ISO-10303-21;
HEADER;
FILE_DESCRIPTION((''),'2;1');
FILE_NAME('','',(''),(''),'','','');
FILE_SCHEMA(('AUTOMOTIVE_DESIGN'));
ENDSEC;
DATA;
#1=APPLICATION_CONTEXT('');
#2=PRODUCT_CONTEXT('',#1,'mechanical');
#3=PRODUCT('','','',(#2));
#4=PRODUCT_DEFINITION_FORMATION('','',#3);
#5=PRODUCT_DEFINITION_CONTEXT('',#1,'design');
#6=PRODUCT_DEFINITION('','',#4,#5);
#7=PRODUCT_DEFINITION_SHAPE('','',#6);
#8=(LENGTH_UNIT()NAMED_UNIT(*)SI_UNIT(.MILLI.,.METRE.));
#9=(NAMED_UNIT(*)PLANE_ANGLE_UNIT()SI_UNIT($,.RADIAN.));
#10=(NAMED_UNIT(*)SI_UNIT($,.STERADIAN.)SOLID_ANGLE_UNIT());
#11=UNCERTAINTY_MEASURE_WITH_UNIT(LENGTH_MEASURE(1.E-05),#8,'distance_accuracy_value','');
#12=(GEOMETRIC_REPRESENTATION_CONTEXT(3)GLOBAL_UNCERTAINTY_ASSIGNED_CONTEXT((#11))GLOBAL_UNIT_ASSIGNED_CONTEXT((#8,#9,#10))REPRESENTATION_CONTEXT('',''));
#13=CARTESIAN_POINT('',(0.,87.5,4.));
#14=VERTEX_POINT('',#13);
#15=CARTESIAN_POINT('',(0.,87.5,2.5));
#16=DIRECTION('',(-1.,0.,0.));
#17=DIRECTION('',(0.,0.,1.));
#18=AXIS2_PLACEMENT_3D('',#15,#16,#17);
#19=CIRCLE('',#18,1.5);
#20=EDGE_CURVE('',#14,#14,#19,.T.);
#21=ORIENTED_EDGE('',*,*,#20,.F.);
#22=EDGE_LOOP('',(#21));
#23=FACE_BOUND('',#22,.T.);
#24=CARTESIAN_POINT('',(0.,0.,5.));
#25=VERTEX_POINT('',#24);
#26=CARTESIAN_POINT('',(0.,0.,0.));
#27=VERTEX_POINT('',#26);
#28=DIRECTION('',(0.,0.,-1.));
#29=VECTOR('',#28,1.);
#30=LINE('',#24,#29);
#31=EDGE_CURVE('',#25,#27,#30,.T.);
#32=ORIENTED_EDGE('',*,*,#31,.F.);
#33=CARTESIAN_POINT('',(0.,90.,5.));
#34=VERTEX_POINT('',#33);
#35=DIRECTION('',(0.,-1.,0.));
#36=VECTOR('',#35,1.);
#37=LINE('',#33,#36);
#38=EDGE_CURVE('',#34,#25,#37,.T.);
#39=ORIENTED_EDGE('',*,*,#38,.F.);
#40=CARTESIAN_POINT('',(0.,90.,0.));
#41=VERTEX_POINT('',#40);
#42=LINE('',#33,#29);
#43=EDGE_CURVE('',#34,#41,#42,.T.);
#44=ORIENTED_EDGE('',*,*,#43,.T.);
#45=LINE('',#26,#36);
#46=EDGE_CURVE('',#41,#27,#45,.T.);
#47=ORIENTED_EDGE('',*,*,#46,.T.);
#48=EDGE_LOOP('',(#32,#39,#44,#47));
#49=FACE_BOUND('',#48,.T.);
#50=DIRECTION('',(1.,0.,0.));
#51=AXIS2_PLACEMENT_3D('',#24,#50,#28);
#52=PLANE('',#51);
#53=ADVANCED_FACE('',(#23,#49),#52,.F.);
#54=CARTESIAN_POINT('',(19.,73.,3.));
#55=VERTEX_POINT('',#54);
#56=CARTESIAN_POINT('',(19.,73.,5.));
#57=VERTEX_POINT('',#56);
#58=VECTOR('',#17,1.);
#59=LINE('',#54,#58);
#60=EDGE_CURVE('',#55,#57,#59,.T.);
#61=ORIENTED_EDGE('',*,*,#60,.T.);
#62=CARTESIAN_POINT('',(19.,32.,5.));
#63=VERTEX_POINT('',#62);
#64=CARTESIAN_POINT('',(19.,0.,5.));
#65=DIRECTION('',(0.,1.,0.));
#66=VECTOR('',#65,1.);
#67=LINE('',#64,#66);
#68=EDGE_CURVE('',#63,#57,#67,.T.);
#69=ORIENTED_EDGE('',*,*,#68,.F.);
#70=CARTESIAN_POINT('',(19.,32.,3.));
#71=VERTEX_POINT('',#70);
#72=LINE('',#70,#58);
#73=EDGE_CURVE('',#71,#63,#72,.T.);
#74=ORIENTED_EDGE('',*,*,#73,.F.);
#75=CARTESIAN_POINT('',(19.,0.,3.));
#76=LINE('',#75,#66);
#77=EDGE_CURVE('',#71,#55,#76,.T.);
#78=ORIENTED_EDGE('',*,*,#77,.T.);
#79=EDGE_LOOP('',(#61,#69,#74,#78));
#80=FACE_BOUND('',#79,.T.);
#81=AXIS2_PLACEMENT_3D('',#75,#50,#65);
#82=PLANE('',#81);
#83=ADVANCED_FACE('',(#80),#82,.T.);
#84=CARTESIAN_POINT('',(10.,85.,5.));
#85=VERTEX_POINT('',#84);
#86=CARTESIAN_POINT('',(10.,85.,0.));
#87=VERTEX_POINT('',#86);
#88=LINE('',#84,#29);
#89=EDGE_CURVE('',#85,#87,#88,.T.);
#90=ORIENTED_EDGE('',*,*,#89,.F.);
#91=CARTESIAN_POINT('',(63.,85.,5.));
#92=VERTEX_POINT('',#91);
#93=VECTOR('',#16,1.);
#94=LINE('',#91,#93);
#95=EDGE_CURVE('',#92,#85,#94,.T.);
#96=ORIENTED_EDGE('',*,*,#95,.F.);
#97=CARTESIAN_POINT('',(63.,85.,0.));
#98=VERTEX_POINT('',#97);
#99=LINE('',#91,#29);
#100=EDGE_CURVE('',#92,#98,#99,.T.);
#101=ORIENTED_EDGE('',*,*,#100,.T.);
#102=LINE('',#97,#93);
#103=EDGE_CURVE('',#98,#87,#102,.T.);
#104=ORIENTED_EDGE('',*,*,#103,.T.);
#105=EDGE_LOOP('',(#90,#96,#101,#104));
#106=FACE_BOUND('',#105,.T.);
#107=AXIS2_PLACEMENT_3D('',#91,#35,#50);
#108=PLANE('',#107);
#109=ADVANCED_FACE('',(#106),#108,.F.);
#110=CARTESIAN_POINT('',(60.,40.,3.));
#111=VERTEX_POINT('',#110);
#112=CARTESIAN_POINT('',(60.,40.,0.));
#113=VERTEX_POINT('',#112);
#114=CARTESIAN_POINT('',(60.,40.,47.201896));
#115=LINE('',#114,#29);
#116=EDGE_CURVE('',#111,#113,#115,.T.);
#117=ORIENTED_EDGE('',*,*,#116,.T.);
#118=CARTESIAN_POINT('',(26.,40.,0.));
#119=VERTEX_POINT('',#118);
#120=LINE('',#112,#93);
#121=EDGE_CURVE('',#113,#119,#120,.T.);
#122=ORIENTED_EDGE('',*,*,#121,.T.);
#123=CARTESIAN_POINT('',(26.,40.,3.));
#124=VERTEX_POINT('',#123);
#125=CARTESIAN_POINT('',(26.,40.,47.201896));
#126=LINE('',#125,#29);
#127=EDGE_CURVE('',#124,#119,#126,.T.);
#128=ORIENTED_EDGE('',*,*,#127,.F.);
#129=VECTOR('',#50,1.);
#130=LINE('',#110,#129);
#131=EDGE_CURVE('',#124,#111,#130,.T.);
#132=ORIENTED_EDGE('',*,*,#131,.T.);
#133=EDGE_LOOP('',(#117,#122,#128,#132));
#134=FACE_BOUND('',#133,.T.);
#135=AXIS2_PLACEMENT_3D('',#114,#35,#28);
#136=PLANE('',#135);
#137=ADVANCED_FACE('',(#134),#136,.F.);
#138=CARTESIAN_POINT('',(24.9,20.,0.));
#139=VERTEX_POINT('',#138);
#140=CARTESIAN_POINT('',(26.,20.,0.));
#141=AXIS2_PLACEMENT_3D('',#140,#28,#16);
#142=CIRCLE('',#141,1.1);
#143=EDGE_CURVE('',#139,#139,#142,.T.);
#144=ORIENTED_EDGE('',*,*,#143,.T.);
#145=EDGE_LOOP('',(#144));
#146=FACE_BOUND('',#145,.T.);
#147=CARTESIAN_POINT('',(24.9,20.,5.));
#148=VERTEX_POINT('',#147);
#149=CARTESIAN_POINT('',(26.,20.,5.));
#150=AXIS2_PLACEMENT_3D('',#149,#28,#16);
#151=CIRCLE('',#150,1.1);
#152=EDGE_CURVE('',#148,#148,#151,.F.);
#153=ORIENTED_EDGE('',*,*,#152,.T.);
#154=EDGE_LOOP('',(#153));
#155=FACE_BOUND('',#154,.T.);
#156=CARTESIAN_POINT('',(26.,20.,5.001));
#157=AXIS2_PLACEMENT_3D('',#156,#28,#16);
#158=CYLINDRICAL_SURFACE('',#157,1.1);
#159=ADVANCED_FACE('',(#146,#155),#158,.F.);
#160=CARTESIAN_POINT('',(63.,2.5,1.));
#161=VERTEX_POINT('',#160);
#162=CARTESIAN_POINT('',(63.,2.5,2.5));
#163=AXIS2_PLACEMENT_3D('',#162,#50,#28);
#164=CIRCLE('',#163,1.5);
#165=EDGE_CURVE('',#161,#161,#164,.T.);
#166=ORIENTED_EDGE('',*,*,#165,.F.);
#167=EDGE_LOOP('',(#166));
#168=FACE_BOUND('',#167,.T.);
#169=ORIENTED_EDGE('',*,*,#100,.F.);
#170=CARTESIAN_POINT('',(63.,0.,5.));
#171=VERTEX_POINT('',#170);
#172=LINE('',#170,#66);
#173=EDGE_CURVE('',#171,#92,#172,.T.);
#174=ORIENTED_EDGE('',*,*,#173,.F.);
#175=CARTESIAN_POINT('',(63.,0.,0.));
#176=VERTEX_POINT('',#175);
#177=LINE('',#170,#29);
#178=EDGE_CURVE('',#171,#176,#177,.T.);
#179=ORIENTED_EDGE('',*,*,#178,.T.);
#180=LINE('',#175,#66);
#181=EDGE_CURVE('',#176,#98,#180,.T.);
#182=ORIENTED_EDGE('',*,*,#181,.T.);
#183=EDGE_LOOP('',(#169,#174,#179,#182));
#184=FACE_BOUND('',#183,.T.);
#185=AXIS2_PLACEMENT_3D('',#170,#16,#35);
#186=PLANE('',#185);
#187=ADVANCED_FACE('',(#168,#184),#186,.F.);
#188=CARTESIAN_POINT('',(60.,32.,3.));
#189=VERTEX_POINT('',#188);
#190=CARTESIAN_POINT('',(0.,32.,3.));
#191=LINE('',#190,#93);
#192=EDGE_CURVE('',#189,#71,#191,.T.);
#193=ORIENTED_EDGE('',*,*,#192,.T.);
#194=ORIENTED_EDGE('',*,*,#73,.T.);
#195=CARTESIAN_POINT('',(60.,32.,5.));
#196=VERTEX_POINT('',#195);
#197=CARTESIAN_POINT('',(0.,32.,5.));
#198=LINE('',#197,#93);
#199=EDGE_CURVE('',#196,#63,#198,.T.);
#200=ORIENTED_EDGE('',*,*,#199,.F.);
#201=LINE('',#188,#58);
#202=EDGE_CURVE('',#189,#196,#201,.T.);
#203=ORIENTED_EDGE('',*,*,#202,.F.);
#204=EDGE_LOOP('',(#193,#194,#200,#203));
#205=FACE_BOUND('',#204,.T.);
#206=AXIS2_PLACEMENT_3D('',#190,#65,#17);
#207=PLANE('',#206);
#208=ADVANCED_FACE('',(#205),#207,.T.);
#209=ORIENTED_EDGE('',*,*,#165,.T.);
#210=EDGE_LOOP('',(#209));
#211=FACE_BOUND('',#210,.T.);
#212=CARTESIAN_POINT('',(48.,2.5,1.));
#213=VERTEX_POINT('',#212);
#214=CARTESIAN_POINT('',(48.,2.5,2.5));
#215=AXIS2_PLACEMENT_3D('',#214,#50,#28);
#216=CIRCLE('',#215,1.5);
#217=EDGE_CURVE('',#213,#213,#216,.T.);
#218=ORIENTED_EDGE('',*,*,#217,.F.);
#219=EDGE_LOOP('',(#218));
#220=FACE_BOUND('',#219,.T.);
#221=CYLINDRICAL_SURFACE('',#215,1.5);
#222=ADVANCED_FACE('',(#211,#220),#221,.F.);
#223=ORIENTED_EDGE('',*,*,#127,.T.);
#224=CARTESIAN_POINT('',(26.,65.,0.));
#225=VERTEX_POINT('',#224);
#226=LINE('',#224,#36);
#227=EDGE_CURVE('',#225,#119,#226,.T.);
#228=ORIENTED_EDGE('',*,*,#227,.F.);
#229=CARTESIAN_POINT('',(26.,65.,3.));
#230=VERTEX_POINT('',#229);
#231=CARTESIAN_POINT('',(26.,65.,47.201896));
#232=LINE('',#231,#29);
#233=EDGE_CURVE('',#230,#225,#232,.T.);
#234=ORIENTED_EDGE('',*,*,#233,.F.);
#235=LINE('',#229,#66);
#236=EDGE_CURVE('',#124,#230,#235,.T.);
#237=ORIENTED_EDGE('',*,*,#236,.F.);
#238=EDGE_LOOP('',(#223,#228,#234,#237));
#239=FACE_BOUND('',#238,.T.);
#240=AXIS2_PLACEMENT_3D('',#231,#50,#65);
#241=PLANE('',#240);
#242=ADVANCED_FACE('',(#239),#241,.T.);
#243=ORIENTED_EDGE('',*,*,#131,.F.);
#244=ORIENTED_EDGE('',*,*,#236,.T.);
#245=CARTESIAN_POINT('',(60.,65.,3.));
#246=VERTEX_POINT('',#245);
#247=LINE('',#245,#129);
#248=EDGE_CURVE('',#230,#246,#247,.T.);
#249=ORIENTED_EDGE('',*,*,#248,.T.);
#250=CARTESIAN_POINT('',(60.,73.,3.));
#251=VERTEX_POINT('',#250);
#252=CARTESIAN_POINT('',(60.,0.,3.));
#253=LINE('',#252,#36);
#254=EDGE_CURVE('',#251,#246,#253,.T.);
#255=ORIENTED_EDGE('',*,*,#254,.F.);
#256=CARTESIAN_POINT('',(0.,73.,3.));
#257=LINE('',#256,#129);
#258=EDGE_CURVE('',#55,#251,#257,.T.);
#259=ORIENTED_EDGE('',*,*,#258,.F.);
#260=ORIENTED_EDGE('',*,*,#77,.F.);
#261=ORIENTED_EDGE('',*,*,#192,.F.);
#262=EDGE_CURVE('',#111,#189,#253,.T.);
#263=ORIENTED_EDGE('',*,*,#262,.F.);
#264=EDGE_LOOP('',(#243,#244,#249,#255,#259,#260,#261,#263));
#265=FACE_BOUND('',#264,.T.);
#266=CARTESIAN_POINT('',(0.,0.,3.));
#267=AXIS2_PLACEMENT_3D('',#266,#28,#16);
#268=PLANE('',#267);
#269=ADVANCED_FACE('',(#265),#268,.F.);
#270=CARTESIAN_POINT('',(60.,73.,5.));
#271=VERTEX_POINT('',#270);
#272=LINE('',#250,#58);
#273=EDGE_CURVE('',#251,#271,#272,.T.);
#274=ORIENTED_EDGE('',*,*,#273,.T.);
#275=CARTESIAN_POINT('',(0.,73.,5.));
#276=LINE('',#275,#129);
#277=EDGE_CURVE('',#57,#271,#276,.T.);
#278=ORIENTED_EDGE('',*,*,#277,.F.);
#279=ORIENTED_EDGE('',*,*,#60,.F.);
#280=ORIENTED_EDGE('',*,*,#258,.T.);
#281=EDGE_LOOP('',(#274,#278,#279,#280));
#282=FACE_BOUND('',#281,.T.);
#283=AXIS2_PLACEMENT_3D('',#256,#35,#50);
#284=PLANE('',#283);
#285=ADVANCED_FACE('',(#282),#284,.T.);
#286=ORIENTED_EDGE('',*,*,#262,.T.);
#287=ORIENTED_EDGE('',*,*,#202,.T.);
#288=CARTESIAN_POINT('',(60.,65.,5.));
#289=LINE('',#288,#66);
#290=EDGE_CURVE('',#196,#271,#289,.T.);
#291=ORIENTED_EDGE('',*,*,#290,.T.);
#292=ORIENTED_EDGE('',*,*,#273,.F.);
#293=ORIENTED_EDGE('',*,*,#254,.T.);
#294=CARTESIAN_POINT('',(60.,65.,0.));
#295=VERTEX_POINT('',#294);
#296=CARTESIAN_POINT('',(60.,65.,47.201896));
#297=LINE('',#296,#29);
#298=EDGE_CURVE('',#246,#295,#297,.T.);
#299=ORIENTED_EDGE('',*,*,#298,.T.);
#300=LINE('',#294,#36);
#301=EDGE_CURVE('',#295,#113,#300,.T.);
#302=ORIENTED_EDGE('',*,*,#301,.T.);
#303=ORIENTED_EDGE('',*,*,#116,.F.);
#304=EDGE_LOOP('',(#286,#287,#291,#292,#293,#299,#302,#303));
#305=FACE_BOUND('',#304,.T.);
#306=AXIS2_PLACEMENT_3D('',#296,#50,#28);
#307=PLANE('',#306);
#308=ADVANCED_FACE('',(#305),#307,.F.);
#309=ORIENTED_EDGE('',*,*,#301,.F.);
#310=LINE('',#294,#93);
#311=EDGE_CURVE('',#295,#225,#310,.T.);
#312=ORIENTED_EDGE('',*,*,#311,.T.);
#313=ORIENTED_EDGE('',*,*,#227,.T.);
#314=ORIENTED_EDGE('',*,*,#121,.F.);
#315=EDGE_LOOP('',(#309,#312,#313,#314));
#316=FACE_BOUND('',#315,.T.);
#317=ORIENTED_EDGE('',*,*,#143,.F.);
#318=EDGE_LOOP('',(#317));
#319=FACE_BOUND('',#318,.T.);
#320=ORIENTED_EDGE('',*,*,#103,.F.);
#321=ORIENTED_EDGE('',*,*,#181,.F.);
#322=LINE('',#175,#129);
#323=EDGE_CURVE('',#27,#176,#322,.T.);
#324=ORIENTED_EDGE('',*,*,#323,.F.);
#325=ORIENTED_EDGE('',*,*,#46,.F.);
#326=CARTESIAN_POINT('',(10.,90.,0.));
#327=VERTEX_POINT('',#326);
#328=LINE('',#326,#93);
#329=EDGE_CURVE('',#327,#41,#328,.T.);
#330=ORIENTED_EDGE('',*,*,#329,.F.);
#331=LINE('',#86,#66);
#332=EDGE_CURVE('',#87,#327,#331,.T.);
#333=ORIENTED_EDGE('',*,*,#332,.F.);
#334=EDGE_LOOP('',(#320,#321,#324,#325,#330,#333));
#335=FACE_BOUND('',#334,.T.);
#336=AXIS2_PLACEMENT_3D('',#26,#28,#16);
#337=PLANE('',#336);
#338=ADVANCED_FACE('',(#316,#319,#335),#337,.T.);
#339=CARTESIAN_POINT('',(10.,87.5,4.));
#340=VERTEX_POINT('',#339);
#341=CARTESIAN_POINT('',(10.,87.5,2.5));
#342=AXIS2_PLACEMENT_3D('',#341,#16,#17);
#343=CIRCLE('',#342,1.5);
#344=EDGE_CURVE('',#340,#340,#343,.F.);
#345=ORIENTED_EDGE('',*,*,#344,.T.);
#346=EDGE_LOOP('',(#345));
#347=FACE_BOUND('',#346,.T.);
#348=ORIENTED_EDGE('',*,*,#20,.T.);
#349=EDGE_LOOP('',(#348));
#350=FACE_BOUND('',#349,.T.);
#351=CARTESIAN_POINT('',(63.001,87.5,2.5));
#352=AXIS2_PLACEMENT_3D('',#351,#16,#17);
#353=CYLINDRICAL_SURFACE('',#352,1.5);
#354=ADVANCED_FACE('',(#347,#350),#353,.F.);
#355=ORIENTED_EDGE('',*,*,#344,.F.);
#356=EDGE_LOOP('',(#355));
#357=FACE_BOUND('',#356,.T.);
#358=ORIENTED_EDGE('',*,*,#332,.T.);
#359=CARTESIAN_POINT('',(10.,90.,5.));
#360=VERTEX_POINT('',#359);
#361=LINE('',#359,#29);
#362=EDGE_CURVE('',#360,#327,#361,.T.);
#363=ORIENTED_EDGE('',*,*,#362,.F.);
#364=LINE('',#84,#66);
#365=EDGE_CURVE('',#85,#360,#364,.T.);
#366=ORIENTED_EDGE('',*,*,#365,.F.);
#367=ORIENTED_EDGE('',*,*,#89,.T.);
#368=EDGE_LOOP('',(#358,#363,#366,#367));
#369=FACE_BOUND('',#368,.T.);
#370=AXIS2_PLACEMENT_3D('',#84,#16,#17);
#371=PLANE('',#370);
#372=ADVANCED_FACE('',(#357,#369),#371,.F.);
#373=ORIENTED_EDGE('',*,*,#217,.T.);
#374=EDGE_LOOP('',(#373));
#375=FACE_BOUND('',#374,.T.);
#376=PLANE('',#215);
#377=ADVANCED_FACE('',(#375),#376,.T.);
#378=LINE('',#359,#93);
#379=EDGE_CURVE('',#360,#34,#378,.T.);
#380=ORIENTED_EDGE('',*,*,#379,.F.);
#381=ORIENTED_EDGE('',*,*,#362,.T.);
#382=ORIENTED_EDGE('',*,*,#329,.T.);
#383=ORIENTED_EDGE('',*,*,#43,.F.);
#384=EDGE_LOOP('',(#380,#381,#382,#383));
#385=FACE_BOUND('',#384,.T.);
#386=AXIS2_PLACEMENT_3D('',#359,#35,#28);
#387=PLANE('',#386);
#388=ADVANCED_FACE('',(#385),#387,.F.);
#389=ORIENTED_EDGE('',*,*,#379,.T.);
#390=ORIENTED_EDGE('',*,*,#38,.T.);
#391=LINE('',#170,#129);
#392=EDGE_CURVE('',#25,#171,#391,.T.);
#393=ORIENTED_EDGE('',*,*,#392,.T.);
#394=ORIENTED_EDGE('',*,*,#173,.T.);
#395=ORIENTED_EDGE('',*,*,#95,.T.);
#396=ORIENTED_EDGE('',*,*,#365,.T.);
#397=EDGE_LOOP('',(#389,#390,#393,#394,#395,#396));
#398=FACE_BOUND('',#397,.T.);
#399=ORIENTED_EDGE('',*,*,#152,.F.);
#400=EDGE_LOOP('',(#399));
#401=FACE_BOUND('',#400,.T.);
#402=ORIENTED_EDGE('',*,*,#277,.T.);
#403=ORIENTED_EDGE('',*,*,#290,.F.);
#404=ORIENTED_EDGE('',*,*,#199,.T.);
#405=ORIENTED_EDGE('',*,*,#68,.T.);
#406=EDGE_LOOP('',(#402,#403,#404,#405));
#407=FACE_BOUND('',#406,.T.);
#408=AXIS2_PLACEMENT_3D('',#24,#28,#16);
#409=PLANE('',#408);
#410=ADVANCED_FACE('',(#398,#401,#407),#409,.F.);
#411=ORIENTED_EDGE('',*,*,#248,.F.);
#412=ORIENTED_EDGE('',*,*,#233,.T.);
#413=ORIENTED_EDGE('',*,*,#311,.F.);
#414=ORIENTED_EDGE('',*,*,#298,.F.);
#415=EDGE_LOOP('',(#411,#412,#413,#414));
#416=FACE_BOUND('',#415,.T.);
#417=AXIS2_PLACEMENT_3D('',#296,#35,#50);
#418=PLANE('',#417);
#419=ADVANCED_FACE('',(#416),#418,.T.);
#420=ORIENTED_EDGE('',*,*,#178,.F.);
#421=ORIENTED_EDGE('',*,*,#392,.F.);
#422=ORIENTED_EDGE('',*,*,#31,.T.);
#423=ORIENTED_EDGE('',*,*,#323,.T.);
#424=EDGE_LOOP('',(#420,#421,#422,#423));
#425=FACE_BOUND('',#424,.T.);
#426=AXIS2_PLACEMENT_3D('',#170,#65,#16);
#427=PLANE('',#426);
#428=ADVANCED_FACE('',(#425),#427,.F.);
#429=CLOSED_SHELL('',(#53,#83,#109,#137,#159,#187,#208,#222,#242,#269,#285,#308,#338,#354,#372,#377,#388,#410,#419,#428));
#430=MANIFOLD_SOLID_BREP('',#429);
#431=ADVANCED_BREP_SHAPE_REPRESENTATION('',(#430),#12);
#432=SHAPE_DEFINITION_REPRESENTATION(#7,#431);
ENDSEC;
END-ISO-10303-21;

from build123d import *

# Parameters (mm, degrees)
BOSS_EXTRU_1_DEPTH       = 5
ESQUISSE8_W              = 34
ESQUISSE8_H              = 25
ENL_V_MAT_EXTRU_6_DEPTH  = 5
ENL_V_START              = -5
ESQUISSE9_W              = 41
ESQUISSE9_H              = 41
ENL_V_MAT_EXTRU_7_DEPTH  = 2
ENL_V_MAT_EXTRU_8_REACH  = 111.973
ESQUISSE10_R             = 1.5
ESQUISSE12_R             = 1.5
ENL_V_MAT_EXTRU_10_DEPTH = 15
ENL_V_MAT_EXTRU_11_REACH = 111.973
ESQUISSE6_R              = 1.1


with BuildPart() as part:
    # Esquisse1 → Boss.-Extru.1 (new body)
    with BuildSketch(Plane.XY):
        Polygon((0, 0), (0, 85), (0, 90), (10, 90), (10, 85), (63, 85), (63, 0), align=None)
    extrude(amount=BOSS_EXTRU_1_DEPTH)

    # Esquisse8 → Enlèv. mat.-Extru.6 (cut)
    with BuildSketch(Plane(origin=(0, 0, 0), x_dir=(-1, 0, 0), z_dir=(0, 0, -1))):
        with Locations((-43, 52.5)):
            Rectangle(ESQUISSE8_W, ESQUISSE8_H)
    extrude(amount=-ENL_V_MAT_EXTRU_6_DEPTH, mode=Mode.SUBTRACT)

    # Esquisse9 → Enlèv. mat.-Extru.7 (cut)
    with BuildSketch(Plane(origin=(0, 0, 0), x_dir=(-1, 0, 0), z_dir=(0, 0, -1)).offset(ENL_V_START)):
        with Locations((-39.5, 52.5)):
            Rectangle(ESQUISSE9_W, ESQUISSE9_H)
    extrude(amount=ENL_V_MAT_EXTRU_7_DEPTH, mode=Mode.SUBTRACT)

    # Esquisse10 → Enlèv. mat.-Extru.8 (cut, up to next)
    with BuildSketch(Plane.ZY, mode=Mode.PRIVATE) as enl_v_mat_extru_8_sk1:
        with Locations((2.5, 87.5)):
            Circle(ESQUISSE10_R)
    enl_v_mat_extru_8_tool1 = extrude(enl_v_mat_extru_8_sk1.sketch, amount=-ENL_V_MAT_EXTRU_8_REACH, mode=Mode.PRIVATE) & part.part
    add(enl_v_mat_extru_8_tool1.solids().sort_by_distance((0, 87.5, 2.5))[0], mode=Mode.SUBTRACT)

    # Esquisse12 → Enlèv. mat.-Extru.10 (cut)
    with BuildSketch(Plane(origin=(63, 0, 0), x_dir=(0, 0, -1), z_dir=(1, 0, 0))):
        with Locations((-2.5, 2.5)):
            Circle(ESQUISSE12_R)
    extrude(amount=-ENL_V_MAT_EXTRU_10_DEPTH, mode=Mode.SUBTRACT)

    # Esquisse6 → Enlèv. mat.-Extru.11 (cut, up to next)
    with BuildSketch(Plane(origin=(0, 0, 0), x_dir=(-1, 0, 0), z_dir=(0, 0, -1)), mode=Mode.PRIVATE) as enl_v_mat_extru_11_sk1:
        with Locations((-26, 20)):
            Circle(ESQUISSE6_R)
    enl_v_mat_extru_11_tool1 = extrude(enl_v_mat_extru_11_sk1.sketch, amount=-ENL_V_MAT_EXTRU_11_REACH, mode=Mode.PRIVATE) & part.part
    add(enl_v_mat_extru_11_tool1.solids().sort_by_distance((26, 20, 0))[0], mode=Mode.SUBTRACT)


solid = part.part
